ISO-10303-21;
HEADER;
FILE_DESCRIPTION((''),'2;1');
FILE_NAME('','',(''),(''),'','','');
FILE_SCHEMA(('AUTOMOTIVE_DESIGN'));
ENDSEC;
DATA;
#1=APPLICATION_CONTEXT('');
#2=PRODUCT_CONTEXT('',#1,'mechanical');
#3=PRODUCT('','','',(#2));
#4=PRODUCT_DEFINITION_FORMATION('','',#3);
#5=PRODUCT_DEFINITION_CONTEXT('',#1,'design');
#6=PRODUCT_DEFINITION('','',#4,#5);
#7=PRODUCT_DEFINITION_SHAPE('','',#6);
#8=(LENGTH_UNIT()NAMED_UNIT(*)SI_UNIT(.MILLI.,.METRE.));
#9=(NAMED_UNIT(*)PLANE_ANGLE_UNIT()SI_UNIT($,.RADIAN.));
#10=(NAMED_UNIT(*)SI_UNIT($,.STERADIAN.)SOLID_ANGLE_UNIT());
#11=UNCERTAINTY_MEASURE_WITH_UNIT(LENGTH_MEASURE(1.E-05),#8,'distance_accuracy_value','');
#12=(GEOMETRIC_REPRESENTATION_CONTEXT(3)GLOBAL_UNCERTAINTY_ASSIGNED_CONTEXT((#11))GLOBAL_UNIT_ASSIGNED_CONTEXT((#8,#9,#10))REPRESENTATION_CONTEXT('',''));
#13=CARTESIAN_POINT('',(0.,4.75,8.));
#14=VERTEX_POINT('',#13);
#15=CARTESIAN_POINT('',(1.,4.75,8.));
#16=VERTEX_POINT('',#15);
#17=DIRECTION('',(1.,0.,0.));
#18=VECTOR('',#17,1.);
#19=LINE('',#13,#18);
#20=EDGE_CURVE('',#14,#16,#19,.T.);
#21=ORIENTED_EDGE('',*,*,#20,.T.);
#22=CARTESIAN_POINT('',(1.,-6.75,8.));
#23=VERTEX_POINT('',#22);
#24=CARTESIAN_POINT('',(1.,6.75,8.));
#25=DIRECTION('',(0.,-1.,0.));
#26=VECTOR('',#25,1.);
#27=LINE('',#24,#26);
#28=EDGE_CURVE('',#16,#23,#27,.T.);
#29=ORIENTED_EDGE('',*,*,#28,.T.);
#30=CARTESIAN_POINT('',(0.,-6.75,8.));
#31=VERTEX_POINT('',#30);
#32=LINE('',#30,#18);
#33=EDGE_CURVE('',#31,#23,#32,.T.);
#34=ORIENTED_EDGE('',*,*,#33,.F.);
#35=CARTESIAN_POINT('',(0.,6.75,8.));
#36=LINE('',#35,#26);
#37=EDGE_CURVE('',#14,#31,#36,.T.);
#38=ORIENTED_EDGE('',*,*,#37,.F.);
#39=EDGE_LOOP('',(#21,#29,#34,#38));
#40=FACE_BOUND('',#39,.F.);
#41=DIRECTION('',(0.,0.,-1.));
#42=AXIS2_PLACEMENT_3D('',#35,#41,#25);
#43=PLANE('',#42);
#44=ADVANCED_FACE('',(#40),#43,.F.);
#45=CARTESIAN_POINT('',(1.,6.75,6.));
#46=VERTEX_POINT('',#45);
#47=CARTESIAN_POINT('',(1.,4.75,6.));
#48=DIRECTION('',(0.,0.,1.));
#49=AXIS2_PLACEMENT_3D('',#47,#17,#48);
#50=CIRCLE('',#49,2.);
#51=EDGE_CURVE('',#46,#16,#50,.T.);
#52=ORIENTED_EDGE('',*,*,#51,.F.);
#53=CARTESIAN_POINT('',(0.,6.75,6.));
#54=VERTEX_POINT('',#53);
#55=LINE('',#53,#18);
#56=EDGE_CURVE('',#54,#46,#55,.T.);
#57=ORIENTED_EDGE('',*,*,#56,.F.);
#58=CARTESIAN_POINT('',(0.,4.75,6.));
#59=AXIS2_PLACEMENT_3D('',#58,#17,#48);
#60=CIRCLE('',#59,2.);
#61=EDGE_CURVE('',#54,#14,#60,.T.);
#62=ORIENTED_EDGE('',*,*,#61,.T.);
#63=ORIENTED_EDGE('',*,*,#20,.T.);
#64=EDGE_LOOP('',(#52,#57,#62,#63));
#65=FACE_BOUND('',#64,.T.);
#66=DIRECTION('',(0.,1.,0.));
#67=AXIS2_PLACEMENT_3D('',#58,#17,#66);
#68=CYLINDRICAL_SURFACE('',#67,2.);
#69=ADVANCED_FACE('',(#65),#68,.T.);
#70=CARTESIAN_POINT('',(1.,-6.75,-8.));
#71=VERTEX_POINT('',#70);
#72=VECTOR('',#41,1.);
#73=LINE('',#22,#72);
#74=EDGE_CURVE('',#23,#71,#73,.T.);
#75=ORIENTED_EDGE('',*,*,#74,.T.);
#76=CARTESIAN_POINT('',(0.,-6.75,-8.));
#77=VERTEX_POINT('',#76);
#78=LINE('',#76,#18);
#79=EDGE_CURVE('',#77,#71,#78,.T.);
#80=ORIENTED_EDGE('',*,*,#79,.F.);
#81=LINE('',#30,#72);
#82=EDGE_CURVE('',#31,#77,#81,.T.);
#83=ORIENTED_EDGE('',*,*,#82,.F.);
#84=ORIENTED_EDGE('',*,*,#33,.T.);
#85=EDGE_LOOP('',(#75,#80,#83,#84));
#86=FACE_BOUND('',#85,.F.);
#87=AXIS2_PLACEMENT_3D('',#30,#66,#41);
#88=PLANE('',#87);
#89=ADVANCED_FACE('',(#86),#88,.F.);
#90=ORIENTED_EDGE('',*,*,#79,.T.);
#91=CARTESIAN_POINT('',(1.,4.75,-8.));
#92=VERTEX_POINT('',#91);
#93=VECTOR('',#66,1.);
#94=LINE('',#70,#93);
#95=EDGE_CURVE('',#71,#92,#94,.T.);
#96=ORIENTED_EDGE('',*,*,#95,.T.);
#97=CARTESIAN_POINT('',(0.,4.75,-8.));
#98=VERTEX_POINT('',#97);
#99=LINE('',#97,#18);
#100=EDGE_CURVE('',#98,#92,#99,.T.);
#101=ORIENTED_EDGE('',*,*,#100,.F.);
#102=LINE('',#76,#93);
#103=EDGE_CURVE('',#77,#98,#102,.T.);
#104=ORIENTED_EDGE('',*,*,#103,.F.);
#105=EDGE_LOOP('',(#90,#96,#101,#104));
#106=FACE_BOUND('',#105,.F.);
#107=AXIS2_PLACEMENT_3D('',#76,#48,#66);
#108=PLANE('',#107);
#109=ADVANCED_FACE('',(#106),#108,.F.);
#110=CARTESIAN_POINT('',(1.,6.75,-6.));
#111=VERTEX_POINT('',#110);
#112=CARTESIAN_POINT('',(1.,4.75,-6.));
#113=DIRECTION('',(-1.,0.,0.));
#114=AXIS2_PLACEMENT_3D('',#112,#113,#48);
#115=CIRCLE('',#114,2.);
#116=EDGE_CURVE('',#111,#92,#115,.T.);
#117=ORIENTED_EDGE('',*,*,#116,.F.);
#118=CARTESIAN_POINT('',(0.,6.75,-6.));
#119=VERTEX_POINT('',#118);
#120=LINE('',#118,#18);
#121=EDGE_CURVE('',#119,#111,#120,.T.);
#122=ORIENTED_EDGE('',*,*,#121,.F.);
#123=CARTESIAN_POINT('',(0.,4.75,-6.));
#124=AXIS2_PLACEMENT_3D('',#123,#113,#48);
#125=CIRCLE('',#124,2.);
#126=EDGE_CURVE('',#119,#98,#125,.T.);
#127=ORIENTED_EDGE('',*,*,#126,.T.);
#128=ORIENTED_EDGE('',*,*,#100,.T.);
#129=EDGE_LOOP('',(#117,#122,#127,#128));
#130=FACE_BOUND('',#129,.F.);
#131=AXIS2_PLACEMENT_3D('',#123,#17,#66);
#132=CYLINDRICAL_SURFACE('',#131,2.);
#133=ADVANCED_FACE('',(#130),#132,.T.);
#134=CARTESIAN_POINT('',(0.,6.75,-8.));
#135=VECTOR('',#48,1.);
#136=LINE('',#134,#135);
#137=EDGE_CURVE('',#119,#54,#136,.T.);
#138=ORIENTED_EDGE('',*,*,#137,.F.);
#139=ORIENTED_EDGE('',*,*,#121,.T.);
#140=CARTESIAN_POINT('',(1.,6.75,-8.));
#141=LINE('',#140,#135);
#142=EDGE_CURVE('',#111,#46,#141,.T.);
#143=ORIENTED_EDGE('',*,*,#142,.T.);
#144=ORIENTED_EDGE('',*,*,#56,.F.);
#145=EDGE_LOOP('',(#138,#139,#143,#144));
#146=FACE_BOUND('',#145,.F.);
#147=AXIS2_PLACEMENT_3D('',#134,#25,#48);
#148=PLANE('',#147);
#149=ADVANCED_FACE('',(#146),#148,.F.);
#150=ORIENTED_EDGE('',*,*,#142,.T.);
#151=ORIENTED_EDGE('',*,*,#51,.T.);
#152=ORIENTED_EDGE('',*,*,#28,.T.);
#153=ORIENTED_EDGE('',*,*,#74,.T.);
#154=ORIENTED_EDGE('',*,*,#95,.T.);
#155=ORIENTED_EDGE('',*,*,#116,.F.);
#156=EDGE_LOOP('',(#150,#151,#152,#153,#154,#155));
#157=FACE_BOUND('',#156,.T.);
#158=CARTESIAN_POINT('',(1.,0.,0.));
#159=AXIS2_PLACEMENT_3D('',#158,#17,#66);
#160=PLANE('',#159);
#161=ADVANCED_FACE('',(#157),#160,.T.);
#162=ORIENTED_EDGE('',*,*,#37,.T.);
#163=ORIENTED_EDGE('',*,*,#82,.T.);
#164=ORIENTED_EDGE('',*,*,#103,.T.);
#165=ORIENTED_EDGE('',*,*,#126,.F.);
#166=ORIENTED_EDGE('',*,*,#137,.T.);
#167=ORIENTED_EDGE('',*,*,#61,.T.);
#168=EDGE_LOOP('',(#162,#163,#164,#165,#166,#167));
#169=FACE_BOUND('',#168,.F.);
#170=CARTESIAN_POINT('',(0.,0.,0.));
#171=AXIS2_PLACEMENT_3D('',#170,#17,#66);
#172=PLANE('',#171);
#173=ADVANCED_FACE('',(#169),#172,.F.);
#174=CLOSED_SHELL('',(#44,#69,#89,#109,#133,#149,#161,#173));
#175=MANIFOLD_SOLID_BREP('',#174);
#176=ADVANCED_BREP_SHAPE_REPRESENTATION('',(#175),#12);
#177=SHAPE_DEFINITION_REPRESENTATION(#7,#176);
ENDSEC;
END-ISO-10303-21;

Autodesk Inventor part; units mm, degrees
ref_plane "YZ Plane" through (0, 0, 0) normal (1, 0, 0) x (0, 1, 0)
ref_plane "XZ Plane" through (0, 0, 0) normal (0, 1, 0) x (-1, 0, 0)
ref_plane "XY Plane" through (0, 0, 0) normal (0, 0, 1) x (1, 0, 0)
sketch "Sketch1" plane through (0, 0, 0) normal (1, 0, 0) x (0, 1, 0)
  line L0 (6.75, 8) -> (-6.75, 8)
  line L1 (-6.75, 8) -> (-6.75, -8)
  line L2 (-6.75, -8) -> (6.75, -8)
  line L3 (6.75, -8) -> (6.75, 8)
  point P0 (0, 0)
  dimension "d0" = 16
  dimension "d1" = 13.5
  dimension "d2" = 6.75
  dimension "d3" = 8
extrude "Extrusion1" add sketch "Sketch1" along normal blind 1
fillet "Fillet1" radius 2 2 edges at (0.5, 6.75, 8) (0.5, 6.75, -8)
equation "\"d2\" = 0.5 * d1"
equation "\"d3\" = 0.5 * d0"
properties part number "fingertip lid 5 no hole"
